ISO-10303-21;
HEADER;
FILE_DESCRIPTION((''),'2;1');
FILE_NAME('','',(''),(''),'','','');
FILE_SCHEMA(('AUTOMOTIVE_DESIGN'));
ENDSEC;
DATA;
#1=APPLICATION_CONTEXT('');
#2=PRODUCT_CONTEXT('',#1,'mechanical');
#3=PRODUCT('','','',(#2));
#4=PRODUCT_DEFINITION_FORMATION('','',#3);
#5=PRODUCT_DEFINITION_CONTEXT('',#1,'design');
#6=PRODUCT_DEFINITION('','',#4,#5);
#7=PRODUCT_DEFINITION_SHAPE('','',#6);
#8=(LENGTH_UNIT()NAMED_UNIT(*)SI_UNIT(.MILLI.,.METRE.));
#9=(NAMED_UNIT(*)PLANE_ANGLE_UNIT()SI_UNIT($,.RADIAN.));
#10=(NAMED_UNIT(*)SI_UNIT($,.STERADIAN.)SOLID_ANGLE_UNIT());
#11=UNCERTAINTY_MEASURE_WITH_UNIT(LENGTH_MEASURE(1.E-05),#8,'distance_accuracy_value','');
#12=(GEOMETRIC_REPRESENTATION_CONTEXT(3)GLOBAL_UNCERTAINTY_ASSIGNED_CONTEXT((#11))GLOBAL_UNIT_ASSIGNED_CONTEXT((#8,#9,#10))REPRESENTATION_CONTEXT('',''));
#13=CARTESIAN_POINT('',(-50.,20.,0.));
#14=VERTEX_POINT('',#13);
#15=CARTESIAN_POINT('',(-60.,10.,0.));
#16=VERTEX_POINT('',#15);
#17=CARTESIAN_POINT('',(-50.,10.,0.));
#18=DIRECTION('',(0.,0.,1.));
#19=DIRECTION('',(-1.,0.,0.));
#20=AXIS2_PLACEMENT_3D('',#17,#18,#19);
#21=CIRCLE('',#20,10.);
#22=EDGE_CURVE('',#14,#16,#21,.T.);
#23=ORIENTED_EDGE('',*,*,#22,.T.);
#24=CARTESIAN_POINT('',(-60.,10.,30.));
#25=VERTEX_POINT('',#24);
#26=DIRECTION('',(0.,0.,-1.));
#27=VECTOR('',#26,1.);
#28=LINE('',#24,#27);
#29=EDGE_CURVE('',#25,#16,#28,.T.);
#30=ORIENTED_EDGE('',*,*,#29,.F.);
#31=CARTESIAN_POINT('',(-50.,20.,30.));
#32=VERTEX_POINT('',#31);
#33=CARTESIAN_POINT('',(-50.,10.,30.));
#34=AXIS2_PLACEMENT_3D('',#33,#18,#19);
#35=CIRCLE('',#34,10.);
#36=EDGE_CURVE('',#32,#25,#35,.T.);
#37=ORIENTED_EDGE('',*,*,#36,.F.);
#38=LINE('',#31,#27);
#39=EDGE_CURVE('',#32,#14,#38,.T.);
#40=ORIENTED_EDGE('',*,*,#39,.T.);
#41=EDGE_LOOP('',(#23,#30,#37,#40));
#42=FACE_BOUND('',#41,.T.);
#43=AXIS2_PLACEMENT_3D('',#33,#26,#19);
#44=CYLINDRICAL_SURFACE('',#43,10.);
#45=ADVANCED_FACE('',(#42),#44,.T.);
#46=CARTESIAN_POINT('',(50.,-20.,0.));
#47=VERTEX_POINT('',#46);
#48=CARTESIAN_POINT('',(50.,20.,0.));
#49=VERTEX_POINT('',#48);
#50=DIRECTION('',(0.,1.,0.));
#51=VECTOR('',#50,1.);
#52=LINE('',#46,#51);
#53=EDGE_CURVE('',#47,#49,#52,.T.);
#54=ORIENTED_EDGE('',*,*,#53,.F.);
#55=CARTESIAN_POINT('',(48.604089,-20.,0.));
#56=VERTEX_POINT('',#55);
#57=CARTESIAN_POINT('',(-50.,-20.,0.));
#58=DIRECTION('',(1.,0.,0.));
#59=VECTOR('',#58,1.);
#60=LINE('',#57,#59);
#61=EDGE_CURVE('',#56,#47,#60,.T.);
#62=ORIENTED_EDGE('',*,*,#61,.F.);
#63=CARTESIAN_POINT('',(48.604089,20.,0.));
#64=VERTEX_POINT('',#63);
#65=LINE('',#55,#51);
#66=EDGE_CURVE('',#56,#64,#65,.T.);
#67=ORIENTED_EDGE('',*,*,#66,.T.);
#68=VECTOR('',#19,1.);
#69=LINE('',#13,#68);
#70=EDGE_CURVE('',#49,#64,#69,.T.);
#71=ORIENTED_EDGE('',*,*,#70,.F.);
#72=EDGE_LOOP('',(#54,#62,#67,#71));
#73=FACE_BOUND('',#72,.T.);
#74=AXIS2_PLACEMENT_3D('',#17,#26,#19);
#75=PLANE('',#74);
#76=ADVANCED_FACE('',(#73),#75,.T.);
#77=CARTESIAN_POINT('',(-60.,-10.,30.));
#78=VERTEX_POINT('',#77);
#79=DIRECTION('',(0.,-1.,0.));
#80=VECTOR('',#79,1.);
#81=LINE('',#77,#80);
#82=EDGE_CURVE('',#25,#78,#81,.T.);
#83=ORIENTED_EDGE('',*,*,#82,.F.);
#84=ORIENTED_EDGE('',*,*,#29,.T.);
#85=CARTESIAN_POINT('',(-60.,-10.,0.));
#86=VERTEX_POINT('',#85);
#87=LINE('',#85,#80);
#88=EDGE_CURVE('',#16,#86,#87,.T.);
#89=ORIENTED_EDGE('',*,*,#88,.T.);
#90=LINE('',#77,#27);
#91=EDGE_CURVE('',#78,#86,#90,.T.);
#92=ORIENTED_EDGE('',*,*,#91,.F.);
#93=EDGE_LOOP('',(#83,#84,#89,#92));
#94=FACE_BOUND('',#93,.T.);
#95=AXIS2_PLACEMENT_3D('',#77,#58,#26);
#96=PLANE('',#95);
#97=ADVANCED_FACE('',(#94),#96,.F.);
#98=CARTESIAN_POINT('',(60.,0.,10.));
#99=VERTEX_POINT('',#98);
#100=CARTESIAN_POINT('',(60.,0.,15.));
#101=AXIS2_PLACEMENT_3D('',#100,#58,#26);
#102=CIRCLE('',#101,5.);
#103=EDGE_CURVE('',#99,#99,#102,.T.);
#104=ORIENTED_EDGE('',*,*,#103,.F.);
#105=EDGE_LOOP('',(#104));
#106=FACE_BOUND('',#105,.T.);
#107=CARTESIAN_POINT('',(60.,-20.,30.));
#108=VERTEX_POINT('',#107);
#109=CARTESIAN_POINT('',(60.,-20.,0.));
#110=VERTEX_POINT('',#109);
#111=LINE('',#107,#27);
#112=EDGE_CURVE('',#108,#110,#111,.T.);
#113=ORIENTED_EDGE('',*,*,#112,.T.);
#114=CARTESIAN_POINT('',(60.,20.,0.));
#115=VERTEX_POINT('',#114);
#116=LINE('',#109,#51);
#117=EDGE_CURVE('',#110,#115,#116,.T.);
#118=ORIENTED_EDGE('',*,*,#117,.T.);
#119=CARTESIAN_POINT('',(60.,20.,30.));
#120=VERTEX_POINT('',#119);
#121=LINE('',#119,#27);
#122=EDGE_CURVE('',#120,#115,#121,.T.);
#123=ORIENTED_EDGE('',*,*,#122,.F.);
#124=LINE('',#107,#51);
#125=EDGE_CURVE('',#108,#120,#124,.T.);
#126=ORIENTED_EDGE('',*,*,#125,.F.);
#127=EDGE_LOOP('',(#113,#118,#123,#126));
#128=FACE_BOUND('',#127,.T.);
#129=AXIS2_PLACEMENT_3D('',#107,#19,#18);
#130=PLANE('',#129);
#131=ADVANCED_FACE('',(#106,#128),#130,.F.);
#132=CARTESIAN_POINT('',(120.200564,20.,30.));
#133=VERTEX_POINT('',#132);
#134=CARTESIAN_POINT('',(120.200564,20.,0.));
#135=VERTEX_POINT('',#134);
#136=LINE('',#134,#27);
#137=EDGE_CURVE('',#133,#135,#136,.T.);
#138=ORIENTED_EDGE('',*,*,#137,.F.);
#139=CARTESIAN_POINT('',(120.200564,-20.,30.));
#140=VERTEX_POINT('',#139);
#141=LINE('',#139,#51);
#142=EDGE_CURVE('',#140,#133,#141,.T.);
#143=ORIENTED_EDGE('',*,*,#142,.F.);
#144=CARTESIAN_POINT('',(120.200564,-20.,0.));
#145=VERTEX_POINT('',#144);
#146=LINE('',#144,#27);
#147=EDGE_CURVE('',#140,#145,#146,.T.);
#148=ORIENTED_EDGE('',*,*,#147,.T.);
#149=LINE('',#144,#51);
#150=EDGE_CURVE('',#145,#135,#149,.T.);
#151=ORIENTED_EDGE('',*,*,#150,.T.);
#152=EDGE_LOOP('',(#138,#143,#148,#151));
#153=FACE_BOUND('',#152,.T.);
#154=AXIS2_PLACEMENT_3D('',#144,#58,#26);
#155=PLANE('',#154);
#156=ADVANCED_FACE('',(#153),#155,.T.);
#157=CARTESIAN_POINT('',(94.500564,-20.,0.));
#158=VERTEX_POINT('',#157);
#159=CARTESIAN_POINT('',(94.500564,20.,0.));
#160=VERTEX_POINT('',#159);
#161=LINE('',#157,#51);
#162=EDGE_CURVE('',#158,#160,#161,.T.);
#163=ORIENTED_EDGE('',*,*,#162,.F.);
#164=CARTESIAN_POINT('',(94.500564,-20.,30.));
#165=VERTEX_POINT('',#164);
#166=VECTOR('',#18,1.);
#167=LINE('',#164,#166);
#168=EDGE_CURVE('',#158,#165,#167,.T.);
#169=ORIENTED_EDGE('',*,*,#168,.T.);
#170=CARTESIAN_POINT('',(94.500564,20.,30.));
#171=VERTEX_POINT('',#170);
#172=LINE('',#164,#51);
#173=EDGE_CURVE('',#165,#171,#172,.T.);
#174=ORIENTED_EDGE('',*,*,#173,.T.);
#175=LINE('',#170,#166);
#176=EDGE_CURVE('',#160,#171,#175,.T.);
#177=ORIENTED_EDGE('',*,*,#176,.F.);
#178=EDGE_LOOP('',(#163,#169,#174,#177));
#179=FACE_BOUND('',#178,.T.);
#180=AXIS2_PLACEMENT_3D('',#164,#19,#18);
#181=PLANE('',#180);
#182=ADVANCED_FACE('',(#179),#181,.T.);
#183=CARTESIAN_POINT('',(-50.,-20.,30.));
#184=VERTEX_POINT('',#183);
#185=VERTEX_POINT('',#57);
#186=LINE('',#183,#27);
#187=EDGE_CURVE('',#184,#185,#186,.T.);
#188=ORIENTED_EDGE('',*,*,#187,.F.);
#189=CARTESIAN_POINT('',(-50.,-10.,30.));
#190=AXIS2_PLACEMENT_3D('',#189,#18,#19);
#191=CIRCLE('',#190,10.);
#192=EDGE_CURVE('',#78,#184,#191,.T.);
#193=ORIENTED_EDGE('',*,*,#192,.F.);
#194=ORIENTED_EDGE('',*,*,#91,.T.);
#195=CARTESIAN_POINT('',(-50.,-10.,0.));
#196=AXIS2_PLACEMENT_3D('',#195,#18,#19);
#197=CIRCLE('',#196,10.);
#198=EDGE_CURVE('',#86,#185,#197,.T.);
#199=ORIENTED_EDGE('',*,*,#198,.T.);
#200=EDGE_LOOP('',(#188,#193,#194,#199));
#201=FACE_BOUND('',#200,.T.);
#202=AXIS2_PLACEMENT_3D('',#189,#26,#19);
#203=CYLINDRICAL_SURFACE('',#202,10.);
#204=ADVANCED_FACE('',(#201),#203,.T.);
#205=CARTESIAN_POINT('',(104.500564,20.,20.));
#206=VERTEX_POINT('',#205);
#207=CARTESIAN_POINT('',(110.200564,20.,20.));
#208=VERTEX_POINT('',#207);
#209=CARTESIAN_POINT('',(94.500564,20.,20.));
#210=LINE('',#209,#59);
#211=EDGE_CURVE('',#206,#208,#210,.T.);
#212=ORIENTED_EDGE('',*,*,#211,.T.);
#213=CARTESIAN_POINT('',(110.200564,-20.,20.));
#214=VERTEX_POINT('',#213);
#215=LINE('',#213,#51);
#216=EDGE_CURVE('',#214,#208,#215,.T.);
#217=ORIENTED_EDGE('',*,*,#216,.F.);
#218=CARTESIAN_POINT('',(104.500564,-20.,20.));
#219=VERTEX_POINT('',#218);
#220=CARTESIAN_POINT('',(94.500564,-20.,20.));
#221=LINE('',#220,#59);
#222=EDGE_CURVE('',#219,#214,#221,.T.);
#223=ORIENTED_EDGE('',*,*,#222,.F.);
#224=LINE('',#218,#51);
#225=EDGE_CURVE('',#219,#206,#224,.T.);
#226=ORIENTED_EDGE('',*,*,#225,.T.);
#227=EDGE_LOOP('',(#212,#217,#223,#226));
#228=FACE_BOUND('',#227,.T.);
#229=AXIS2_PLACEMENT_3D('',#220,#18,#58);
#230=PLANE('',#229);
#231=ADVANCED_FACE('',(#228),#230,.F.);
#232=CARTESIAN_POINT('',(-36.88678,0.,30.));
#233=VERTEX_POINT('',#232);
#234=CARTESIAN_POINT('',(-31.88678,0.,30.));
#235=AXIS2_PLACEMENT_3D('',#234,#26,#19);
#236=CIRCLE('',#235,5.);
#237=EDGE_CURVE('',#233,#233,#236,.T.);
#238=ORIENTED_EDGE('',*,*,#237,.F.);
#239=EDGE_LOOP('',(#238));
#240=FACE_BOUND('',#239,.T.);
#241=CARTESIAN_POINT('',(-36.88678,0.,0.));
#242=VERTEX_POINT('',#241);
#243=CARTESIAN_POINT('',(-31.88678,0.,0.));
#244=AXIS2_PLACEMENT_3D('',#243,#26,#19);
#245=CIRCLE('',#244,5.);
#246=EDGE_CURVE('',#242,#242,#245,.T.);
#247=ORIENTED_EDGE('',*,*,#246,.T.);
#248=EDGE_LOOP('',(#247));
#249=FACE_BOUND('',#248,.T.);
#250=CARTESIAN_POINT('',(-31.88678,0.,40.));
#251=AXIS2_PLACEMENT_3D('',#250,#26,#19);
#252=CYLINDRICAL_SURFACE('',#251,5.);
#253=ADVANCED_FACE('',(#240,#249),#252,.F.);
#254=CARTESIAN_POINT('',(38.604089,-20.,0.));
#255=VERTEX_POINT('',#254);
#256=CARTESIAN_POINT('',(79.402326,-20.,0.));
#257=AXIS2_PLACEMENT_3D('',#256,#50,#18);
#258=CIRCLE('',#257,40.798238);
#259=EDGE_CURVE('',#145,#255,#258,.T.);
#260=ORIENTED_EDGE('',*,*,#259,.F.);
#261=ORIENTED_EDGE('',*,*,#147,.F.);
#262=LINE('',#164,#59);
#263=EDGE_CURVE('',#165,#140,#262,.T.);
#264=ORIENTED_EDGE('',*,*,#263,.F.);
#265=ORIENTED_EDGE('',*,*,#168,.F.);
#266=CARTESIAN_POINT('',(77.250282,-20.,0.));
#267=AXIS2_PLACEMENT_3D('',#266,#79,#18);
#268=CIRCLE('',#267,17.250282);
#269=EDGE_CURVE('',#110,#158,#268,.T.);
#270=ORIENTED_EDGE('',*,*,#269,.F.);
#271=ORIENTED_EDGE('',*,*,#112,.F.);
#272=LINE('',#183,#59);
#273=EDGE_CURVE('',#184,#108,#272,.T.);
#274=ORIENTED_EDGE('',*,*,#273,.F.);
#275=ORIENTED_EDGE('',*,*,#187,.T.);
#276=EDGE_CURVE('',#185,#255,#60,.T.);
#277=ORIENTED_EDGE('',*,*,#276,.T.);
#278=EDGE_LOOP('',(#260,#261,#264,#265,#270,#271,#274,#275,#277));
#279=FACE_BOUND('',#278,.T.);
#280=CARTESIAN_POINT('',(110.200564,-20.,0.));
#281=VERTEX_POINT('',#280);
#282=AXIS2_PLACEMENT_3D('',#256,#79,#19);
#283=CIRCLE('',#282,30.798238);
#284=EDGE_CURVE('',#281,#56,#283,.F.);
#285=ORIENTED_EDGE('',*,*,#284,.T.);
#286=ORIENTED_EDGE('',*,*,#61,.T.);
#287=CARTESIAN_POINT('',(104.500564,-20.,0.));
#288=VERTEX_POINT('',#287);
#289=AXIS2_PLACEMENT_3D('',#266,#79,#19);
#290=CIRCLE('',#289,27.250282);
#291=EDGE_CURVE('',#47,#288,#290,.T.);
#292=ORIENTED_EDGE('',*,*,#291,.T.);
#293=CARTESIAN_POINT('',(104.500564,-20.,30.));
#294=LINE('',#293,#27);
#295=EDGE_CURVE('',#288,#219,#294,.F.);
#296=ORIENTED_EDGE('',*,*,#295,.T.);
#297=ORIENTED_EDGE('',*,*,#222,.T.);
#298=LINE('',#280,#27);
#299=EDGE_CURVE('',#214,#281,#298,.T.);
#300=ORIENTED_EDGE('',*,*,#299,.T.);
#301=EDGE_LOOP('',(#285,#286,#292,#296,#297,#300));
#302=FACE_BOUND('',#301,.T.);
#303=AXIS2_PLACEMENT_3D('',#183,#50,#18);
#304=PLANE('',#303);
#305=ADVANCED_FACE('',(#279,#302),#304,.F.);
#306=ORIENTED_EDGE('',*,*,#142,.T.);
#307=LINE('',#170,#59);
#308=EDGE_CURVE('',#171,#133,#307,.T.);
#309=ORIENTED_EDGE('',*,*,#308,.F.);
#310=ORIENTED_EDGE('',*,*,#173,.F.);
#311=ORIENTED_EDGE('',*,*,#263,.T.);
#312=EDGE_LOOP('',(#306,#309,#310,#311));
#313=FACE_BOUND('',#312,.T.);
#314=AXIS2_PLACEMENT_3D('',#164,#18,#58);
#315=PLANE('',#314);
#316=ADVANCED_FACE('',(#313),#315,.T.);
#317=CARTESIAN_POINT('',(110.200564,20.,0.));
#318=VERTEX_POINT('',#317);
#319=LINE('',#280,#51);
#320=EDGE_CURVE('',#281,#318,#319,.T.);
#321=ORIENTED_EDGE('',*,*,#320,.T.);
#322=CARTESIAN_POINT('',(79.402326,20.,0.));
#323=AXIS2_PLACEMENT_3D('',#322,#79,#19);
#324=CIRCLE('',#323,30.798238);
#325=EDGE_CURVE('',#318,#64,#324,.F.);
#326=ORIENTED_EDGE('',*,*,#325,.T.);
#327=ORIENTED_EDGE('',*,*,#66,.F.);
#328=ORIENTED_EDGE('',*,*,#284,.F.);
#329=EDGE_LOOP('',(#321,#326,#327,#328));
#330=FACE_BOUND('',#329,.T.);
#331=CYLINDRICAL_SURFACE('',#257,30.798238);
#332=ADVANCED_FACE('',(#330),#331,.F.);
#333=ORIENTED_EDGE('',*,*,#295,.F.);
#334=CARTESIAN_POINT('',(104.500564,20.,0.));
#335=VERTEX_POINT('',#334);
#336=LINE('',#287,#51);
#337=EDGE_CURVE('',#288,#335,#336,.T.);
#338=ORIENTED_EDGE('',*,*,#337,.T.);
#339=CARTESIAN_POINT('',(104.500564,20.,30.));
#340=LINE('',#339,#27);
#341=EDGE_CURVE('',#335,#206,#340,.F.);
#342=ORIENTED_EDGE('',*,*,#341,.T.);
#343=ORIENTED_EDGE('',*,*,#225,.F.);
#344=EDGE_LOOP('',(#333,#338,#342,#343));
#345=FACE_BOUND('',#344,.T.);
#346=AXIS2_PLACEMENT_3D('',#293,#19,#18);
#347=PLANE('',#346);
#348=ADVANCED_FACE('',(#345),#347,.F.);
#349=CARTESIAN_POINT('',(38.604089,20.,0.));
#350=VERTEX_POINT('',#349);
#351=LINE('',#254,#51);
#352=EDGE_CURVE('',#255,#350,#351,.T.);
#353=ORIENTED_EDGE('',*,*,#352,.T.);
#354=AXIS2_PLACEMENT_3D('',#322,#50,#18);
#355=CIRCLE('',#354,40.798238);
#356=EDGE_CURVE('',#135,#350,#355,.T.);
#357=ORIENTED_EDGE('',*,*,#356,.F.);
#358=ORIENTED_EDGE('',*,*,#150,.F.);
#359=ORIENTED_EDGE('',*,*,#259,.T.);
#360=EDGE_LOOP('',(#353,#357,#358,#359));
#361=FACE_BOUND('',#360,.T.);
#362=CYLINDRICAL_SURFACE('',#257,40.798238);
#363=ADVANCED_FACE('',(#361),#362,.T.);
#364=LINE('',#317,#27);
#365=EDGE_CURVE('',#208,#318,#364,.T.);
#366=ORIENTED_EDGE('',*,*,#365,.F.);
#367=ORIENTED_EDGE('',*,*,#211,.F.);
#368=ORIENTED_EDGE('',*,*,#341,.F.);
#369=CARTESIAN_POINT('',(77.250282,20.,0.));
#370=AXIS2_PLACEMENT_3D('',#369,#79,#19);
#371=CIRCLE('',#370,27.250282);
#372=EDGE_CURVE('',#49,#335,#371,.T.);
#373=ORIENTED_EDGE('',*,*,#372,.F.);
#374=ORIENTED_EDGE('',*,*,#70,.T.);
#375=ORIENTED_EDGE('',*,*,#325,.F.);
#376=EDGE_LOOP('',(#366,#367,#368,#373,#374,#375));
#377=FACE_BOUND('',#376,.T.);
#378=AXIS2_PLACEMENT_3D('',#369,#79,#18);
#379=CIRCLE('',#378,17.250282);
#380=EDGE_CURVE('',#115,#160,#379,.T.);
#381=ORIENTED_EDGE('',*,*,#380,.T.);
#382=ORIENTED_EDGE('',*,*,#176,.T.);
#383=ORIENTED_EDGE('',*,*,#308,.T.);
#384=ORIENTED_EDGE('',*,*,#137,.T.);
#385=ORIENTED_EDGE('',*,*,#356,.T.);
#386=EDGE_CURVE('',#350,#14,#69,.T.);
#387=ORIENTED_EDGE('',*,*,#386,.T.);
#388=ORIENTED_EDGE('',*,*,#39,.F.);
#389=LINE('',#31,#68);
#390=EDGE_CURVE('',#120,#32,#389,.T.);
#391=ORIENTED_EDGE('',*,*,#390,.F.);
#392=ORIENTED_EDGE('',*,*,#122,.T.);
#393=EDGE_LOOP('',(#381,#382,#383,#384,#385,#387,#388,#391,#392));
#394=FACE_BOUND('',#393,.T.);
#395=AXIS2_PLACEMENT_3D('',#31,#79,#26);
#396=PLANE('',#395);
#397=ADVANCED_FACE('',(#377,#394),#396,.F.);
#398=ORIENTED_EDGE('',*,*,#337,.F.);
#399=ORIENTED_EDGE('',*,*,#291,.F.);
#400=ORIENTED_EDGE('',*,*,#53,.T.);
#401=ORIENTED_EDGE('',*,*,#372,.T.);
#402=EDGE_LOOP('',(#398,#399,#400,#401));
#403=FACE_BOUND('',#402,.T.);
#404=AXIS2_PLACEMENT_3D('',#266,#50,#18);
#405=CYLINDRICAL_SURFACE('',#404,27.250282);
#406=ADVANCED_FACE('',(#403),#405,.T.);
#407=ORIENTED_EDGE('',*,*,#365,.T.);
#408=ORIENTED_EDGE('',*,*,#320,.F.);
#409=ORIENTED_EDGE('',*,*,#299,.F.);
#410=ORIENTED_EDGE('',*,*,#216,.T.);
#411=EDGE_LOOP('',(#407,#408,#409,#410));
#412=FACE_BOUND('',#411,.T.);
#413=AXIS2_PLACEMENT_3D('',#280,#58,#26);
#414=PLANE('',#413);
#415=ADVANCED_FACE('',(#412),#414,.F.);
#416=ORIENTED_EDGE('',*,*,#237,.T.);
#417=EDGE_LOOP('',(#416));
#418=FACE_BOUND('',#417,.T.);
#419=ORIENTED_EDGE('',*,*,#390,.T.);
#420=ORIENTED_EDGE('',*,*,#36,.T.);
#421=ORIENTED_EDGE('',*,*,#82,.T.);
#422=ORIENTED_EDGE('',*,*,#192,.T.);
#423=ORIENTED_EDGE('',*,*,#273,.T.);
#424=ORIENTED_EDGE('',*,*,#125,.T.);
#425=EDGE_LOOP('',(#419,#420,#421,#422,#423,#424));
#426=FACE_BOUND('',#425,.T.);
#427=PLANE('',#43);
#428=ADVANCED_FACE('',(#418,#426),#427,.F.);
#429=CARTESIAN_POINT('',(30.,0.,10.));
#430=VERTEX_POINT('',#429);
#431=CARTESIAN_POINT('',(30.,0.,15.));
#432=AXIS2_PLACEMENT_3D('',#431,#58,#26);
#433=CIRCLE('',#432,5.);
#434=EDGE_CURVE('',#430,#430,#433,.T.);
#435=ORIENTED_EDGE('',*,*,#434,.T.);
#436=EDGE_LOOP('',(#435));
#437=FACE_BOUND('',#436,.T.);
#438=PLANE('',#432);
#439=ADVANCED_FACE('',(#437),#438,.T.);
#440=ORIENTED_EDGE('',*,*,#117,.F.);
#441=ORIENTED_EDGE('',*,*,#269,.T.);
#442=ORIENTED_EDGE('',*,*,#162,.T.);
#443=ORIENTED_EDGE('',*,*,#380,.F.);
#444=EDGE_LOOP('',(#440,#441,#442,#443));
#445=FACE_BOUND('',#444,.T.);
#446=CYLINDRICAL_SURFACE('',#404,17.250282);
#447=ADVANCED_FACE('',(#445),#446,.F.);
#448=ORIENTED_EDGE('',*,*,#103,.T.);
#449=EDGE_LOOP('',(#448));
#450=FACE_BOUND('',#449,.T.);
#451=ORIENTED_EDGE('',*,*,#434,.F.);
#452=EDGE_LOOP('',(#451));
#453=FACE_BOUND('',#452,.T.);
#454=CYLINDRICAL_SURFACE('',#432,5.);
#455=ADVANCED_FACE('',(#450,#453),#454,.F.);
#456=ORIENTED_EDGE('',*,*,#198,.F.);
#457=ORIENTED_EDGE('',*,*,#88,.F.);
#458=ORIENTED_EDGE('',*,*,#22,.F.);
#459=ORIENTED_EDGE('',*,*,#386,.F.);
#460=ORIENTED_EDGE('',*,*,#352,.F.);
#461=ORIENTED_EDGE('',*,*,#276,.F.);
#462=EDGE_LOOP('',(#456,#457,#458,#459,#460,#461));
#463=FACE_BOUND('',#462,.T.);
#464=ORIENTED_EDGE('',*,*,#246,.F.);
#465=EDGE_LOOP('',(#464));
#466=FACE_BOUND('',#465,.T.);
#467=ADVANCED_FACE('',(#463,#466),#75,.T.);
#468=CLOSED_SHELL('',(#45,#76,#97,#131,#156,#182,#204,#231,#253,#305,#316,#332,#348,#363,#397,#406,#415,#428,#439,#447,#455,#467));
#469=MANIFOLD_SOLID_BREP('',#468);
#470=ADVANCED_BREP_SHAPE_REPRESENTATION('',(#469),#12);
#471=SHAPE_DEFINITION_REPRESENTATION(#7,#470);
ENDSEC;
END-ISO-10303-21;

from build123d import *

# Parameters (mm, degrees)
BOSS_EXTRU_1_DEPTH      = 30
ESQUISSE3_R             = 5
ENL_V_MAT_EXTRU_1_DEPTH = 40
ESQUISSE4_R             = 5
ENL_V_MAT_EXTRU_2_DEPTH = 30
EXTRU_MINCE1_DEPTH      = 20


with BuildPart() as part:
    # Esquisse1 → Boss.-Extru.1 (new body)
    with BuildSketch(Plane.XY):
        with BuildLine():
            Line((-50, -20), (60, -20))
            Line((60, -20), (60, 20))
            Line((60, 20), (-50, 20))
            ThreePointArc((-50, 20), (-57.071067812, 17.071067812), (-60, 10))
            Line((-60, 10), (-60, -10))
            ThreePointArc((-60, -10), (-57.071067812, -17.071067812), (-50, -20))
        make_face()
    extrude(amount=BOSS_EXTRU_1_DEPTH)

    # Esquisse3 → Enlèv. mat.-Extru.1 (cut)
    with BuildSketch(Plane(origin=(0, 0, 0), x_dir=(-1, 0, 0), z_dir=(0, 0, -1))):
        with Locations((31.886780036, 0)):
            Circle(ESQUISSE3_R)
    extrude(amount=-ENL_V_MAT_EXTRU_1_DEPTH, mode=Mode.SUBTRACT)

    # Esquisse4 → Enlèv. mat.-Extru.2 (cut)
    with BuildSketch(Plane(origin=(60, 0, 0), x_dir=(0, 0, -1), z_dir=(1, 0, 0))):
        with Locations((-15, 0)):
            Circle(ESQUISSE4_R)
    extrude(amount=-ENL_V_MAT_EXTRU_2_DEPTH, mode=Mode.SUBTRACT)

    # Esquisse11 → Extru.-Mince1 (add, symmetric)
    with BuildSketch(Plane(origin=(0, 0, 0), x_dir=(-1, 0, 0), z_dir=(0, -1, 0))):
        with BuildLine():
            ThreePointArc((-60, 0), (-77.250281864, 17.250281864), (-94.500563727, 0))
            Line((-94.500563727, 0), (-94.500563727, -30))
            Line((-94.500563727, -30), (-120.200563727, -30))
            Line((-120.200563727, -30), (-120.200563727, 0))
            ThreePointArc((-120.200563727, 0), (-79.40232614, 40.798237588), (-38.604088552, 0))
            Line((-38.604088552, 0), (-48.604088552, 0))
            ThreePointArc((-48.604088552, 0), (-79.40232614, 30.798237588), (-110.200563727, 0))
            Line((-110.200563727, 0), (-110.200563727, -20))
            Line((-110.200563727, -20), (-104.500563727, -20))
            Line((-104.500563727, -20), (-104.500563727, 0))
            ThreePointArc((-104.500563727, 0), (-77.250281864, 27.250281864), (-50, 0))
            Line((-50, 0), (-60, 0))
        make_face()
    extrude(amount=EXTRU_MINCE1_DEPTH, both=True)


solid = part.part
